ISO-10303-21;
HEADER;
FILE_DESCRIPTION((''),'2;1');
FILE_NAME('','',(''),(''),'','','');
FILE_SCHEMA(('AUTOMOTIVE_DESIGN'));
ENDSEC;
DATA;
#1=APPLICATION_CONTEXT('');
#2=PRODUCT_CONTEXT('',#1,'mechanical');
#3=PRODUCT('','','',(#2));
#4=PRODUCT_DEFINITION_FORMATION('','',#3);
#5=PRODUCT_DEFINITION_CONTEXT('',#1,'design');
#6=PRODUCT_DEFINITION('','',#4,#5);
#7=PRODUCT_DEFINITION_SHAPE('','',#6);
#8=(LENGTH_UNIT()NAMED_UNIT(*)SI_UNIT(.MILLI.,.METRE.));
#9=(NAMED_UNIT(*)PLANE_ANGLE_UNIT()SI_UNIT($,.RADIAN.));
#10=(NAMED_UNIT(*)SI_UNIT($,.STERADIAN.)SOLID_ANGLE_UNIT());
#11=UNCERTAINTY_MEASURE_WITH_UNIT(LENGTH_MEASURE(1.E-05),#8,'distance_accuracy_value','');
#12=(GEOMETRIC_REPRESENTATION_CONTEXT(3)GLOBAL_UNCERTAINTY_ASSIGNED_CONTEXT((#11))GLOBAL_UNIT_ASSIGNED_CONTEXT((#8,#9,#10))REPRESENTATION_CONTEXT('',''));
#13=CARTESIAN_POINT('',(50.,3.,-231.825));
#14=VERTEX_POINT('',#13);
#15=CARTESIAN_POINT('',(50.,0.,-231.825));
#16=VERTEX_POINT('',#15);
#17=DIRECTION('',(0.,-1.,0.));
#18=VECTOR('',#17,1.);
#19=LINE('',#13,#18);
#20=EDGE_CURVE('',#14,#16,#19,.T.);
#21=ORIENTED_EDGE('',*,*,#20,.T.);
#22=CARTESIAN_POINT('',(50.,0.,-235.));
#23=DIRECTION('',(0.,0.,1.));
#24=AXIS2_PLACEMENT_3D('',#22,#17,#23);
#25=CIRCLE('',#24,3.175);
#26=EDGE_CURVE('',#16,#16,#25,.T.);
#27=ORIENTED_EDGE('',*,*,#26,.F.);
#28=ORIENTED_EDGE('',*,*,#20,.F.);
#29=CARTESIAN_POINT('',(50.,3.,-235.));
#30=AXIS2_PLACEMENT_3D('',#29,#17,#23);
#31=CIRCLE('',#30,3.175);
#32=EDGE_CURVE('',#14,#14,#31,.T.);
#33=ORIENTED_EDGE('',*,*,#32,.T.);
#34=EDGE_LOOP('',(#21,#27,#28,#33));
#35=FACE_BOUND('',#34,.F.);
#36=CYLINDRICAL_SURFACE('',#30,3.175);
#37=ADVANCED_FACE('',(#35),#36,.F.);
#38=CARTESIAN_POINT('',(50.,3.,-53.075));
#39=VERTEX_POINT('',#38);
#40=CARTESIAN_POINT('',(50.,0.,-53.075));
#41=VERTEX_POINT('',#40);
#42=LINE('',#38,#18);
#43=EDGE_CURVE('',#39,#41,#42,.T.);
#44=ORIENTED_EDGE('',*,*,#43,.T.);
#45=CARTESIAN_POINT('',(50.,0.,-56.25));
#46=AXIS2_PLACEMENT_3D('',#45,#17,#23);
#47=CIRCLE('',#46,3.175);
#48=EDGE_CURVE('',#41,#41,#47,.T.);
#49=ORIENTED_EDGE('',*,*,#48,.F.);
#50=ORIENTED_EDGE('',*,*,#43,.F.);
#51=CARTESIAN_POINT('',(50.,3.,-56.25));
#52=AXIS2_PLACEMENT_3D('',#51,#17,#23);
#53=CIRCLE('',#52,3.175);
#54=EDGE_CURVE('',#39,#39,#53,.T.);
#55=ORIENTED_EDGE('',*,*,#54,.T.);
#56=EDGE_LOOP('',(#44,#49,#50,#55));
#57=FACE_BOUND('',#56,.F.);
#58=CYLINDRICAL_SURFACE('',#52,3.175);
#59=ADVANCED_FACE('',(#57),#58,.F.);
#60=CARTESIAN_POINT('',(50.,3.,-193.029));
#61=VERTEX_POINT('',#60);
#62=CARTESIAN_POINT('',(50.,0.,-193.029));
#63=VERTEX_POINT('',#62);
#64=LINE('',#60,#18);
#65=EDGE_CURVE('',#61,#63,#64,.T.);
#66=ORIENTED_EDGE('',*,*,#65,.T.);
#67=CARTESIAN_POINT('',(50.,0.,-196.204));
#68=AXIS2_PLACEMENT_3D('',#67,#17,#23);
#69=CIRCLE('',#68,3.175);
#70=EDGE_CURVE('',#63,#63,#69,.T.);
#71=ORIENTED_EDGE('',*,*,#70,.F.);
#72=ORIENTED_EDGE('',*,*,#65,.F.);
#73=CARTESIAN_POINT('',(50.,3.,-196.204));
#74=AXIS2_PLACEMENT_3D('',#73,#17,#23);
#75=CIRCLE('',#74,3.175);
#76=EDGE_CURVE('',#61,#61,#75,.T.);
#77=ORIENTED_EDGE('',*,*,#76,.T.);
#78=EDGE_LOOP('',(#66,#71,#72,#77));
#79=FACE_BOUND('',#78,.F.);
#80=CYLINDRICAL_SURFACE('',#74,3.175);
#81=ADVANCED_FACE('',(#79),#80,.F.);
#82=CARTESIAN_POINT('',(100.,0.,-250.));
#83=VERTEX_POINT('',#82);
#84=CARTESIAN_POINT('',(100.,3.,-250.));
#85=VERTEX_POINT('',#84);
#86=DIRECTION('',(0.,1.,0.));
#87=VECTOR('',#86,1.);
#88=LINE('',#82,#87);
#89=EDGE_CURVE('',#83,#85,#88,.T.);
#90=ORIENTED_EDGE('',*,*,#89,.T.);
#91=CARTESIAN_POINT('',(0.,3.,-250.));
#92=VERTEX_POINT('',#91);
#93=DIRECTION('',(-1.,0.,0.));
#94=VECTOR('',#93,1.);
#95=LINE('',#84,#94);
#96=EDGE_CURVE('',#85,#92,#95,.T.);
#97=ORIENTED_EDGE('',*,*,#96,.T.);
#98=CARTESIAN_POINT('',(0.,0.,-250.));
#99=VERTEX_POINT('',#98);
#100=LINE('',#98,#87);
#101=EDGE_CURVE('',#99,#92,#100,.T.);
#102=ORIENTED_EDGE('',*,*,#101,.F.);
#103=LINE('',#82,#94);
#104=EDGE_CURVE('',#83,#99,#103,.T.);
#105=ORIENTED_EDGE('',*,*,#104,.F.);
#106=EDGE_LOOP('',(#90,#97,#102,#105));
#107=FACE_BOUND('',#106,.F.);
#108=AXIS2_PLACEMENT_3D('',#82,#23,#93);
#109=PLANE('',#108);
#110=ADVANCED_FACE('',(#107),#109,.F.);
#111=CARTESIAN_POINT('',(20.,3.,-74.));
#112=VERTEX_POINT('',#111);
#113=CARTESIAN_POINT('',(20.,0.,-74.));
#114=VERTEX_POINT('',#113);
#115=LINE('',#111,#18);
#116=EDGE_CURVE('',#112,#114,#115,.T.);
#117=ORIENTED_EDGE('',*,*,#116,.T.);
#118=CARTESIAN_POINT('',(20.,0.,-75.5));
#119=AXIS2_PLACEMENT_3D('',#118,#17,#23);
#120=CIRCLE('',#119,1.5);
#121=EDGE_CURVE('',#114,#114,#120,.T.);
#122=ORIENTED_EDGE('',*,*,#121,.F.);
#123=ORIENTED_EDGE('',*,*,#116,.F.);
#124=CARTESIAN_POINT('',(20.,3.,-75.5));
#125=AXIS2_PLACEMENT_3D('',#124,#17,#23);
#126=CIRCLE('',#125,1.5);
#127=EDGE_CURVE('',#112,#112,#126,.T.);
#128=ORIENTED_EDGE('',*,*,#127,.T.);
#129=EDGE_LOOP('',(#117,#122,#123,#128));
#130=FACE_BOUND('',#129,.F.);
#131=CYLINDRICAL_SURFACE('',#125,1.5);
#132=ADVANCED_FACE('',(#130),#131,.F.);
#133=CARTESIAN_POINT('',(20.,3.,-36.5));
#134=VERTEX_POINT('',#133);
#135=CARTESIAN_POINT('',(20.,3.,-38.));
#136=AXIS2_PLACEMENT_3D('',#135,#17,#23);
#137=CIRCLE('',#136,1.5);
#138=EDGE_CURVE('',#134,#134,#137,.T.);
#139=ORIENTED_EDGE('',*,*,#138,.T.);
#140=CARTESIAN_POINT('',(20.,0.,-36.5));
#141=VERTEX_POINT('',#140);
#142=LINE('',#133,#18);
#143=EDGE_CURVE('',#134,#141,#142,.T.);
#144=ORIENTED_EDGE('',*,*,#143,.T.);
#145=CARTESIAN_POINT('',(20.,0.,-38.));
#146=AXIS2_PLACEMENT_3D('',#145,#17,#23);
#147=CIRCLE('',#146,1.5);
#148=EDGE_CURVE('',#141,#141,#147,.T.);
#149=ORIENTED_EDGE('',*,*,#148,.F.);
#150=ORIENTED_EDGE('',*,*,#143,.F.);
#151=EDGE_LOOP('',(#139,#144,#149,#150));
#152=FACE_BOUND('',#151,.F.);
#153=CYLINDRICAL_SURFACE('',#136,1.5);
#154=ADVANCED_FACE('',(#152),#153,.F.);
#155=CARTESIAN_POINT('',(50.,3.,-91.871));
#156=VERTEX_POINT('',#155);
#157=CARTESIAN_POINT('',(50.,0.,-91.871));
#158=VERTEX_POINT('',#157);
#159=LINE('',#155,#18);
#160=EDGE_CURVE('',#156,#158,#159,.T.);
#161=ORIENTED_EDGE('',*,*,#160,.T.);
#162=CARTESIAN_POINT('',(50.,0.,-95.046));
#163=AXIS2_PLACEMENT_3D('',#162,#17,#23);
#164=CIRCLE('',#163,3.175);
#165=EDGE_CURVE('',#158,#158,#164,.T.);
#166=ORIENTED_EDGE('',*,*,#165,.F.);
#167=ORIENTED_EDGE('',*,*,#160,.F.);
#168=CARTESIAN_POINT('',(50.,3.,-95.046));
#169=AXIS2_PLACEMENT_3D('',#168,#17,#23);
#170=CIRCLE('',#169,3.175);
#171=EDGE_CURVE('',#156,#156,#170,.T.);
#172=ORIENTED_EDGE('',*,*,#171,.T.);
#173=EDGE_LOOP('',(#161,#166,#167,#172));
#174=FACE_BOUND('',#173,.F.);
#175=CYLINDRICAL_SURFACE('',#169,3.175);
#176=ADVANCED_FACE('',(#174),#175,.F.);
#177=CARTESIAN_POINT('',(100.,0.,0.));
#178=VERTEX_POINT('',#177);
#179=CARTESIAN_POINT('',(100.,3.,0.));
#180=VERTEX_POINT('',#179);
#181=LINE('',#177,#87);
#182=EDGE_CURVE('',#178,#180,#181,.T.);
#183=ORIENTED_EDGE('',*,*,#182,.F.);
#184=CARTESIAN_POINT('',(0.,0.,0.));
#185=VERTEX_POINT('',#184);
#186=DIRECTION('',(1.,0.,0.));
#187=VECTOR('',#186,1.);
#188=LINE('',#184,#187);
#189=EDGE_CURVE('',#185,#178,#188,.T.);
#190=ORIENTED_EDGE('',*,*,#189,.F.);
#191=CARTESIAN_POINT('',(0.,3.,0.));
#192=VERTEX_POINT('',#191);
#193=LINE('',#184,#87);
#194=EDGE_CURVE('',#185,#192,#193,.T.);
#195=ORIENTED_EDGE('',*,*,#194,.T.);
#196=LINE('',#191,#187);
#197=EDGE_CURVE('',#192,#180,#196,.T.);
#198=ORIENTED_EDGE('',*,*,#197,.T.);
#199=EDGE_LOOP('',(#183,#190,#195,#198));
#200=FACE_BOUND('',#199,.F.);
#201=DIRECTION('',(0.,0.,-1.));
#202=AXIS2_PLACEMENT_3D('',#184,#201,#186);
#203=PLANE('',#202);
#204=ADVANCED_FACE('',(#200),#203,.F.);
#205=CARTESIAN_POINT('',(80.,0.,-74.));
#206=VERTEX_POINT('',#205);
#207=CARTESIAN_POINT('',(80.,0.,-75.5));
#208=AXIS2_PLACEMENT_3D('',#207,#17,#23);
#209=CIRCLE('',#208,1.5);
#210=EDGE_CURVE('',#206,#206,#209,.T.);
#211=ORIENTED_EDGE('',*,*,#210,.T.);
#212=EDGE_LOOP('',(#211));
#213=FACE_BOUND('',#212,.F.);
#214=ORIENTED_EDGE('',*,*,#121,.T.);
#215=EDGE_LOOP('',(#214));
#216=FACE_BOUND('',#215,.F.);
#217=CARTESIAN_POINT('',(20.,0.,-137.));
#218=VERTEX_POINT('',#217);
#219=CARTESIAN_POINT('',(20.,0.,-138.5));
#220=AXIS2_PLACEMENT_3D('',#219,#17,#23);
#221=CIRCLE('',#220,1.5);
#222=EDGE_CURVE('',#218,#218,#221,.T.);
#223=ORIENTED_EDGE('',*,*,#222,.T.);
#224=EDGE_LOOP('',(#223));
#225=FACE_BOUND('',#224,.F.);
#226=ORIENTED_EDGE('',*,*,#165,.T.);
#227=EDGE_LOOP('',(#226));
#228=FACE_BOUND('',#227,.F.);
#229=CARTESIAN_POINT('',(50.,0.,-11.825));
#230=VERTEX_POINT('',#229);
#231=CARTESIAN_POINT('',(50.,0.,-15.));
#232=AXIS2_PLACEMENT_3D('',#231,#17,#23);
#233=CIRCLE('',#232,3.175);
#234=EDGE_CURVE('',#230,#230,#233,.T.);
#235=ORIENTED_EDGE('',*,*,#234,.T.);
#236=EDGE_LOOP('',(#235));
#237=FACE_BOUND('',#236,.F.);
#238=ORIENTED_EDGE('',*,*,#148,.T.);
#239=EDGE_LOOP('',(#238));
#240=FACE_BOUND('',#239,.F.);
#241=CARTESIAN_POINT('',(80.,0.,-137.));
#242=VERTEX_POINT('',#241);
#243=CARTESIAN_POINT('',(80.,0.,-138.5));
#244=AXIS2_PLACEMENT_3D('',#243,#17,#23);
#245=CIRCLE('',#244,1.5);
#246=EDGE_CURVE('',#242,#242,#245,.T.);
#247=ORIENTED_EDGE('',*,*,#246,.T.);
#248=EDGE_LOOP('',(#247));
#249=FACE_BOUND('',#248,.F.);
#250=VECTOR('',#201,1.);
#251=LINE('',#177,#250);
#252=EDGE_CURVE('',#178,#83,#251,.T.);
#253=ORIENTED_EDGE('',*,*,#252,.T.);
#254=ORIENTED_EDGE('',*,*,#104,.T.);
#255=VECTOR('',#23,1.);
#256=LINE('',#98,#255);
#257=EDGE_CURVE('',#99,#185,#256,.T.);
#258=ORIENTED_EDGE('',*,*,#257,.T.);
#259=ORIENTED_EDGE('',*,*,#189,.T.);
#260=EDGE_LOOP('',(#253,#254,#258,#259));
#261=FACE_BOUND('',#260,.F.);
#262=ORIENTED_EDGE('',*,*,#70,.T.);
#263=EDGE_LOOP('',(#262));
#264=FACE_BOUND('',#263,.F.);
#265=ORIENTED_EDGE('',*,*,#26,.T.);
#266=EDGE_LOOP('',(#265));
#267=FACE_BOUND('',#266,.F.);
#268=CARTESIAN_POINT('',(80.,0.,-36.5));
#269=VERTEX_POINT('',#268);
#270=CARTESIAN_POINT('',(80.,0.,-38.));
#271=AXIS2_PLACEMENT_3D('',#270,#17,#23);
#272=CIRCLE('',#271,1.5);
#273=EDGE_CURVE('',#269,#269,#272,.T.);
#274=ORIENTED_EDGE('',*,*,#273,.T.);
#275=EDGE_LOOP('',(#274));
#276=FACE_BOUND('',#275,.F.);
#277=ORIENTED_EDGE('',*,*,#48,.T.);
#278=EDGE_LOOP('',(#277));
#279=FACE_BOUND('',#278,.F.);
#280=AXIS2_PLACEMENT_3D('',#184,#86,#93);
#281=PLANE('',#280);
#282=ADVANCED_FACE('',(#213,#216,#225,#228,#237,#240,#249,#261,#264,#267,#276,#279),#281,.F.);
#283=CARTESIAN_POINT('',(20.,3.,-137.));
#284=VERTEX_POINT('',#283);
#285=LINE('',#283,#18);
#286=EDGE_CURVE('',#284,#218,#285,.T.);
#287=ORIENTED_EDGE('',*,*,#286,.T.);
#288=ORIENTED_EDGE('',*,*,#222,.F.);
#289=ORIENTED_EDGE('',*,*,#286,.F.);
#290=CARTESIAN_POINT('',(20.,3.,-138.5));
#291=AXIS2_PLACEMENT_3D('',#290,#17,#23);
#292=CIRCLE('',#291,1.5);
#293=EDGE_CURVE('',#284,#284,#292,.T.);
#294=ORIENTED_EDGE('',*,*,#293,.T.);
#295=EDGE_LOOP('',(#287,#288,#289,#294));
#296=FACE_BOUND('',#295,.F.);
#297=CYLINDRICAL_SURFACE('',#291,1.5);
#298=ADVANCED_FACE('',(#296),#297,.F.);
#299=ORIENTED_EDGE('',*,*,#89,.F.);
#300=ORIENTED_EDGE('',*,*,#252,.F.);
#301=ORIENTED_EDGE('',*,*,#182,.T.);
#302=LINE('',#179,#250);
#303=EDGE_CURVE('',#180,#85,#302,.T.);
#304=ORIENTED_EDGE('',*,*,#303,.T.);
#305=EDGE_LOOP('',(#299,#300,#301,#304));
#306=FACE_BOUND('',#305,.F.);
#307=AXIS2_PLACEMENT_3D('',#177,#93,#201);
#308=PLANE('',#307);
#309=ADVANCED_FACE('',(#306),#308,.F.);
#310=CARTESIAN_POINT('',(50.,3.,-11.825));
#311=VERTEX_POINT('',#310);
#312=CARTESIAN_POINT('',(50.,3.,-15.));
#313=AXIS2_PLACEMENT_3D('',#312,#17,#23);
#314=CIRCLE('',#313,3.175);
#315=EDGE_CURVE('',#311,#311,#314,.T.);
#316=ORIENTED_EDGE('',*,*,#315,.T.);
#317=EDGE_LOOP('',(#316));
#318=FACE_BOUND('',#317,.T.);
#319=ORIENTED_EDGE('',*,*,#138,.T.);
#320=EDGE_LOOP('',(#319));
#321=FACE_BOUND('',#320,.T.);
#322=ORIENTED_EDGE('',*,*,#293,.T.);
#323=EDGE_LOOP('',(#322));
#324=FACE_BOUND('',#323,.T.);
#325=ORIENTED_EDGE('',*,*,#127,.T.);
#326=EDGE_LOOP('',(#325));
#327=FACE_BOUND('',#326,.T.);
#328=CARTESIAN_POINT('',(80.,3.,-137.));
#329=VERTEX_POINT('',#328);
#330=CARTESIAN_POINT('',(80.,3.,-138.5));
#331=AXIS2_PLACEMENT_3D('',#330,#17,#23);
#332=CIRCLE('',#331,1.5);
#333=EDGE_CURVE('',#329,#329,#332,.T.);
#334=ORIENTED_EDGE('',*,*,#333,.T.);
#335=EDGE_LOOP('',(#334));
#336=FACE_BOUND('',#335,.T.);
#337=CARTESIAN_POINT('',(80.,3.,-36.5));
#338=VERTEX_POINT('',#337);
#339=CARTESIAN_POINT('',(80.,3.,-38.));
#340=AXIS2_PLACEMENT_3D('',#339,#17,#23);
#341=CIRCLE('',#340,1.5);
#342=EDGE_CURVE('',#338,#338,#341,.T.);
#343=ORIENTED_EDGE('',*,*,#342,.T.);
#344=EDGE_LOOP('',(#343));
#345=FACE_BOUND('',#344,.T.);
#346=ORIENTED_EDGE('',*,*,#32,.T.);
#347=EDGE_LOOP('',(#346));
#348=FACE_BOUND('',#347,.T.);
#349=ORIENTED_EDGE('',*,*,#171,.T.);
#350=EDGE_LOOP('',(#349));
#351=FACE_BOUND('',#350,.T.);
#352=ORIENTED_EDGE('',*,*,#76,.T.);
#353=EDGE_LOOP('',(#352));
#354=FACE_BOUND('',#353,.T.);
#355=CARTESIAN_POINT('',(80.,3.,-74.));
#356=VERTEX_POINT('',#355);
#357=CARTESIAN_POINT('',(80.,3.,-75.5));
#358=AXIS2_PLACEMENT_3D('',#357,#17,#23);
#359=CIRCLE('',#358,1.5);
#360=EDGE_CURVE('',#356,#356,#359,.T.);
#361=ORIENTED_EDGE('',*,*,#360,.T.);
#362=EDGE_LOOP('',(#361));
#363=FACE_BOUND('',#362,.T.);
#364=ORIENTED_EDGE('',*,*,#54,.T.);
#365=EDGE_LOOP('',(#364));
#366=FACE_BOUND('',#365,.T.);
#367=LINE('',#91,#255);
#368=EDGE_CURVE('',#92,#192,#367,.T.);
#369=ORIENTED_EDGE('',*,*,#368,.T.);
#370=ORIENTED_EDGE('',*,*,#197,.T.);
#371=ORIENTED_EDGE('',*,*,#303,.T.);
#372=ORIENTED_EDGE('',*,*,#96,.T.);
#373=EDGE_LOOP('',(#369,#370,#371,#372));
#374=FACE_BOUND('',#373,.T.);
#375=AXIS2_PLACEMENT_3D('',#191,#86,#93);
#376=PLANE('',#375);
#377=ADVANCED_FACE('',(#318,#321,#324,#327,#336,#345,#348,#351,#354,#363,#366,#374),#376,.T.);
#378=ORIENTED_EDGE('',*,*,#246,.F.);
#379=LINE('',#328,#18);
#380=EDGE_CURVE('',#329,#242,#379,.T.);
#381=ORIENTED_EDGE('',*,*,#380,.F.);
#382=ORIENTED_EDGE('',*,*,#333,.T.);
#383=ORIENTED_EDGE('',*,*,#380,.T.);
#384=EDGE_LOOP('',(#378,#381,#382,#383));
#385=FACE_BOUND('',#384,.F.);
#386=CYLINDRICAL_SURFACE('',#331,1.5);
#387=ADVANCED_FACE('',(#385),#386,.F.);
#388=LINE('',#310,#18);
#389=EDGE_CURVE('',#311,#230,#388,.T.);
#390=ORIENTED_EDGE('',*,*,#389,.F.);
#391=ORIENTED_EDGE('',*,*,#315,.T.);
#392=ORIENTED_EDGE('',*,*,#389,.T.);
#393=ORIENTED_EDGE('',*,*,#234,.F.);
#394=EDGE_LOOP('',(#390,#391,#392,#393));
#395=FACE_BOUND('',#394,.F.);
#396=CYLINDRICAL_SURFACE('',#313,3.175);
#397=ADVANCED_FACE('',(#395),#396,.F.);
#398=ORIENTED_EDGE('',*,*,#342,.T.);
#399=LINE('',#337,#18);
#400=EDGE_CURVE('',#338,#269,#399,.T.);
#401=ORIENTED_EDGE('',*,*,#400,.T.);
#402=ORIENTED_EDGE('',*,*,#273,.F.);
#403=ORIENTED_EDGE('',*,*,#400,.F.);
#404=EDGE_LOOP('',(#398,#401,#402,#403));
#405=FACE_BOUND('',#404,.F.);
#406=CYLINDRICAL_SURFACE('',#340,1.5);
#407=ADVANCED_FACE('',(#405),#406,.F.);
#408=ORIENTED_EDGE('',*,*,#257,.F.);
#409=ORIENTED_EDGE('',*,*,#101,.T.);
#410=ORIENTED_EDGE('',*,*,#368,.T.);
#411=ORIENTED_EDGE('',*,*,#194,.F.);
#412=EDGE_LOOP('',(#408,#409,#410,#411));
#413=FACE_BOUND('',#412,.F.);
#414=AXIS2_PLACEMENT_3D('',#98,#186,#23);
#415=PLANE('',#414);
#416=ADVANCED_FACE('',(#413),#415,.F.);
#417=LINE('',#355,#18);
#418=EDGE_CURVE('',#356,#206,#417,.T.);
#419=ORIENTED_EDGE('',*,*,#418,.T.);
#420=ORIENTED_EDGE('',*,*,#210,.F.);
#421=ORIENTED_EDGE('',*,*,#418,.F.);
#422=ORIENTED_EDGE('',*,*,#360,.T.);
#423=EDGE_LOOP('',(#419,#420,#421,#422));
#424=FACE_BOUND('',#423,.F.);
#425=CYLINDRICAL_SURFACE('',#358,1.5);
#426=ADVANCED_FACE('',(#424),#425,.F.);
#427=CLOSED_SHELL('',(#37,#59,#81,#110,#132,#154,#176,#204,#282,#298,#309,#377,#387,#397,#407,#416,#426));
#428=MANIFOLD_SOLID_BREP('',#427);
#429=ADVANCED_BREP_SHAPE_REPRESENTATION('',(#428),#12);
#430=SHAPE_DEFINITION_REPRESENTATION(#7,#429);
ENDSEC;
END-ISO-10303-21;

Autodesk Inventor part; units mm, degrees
ref_plane "YZ Plane" through (0, 0, 0) normal (1, 0, 0) x (0, 1, 0)
ref_plane "XZ Plane" through (0, 0, 0) normal (0, 1, 0) x (-1, 0, 0)
ref_plane "XY Plane" through (0, 0, 0) normal (0, 0, 1) x (1, 0, 0)
sketch "Sketch1" plane through (0, 0, 0) normal (0, 1, 0) x (-1, 0, 0)
  line L0 (0, 0) -> (-100, 0)
  line L1 (-100, 0) -> (-100, -250)
  line L2 (-100, -250) -> (0, -250)
  line L3 (0, -250) -> (0, 0)
  dimension "d0" = 100
  dimension "d1" = 250
extrude "Extrusion1" add sketch "Sketch1" along normal blind 3
sketch "Sketch2" plane through (0, 3, 0) normal (0, 1, 0) x (1, 0, 0)
  line L0 (0, 0) -> (100, 0) projected
  line L1 (0, 0) -> (20, 38) construction
  line L2 (80, 38) -> (100, 0) construction
  point P0 (20, 75.5)
  point P1 (80, 75.5)
  point P2 (20, 138.5)
  point P3 (80, 138.5)
  dimension "d4" = 60
  dimension "d5" = 37.5
  dimension "d6" = 63
  dimension "d7" = 38
hole "Hole1" at (20, 3, -38) at (80, 3, -38) at (20, 3, -75.5) at (80, 3, -75.5) at (20, 3, -138.5) at (80, 3, -138.5) direction (0, -1, 0) diameter 3 end through all
sketch "Sketch3" plane through (0, 3, 0) normal (0, 1, 0) x (1, 0, 0)
  line L0 (0, 0) -> (100, 0) construction
  line L1 (0, 0) -> (50, 15) construction
  line L2 (100, 0) -> (100, 250) construction
  line L3 (50, 15) -> (100, 0) construction
  line L4 (100, 250) -> (0, 250) projected
  point P0 (50, 56.25)
  point P1 (50, 196.204)
  point P2 (50, 95.046)
  point P3 (50, 235)
  dimension "d15" = 15
  dimension "d16" = 41.25
  dimension "d17" = 139.954
  dimension "d25" = 139.954
  dimension "d26" = 15
hole "Hole2" at (50, 3, -15) at (50, 3, -56.25) at (50, 3, -196.204) at (50, 3, -95.046) at (50, 3, -235) direction (0, -1, 0) diameter 6.35 end through all
equation "\"d25\" = d17"
properties part number "Aluminum Plate" material "Aluminum 6061"
